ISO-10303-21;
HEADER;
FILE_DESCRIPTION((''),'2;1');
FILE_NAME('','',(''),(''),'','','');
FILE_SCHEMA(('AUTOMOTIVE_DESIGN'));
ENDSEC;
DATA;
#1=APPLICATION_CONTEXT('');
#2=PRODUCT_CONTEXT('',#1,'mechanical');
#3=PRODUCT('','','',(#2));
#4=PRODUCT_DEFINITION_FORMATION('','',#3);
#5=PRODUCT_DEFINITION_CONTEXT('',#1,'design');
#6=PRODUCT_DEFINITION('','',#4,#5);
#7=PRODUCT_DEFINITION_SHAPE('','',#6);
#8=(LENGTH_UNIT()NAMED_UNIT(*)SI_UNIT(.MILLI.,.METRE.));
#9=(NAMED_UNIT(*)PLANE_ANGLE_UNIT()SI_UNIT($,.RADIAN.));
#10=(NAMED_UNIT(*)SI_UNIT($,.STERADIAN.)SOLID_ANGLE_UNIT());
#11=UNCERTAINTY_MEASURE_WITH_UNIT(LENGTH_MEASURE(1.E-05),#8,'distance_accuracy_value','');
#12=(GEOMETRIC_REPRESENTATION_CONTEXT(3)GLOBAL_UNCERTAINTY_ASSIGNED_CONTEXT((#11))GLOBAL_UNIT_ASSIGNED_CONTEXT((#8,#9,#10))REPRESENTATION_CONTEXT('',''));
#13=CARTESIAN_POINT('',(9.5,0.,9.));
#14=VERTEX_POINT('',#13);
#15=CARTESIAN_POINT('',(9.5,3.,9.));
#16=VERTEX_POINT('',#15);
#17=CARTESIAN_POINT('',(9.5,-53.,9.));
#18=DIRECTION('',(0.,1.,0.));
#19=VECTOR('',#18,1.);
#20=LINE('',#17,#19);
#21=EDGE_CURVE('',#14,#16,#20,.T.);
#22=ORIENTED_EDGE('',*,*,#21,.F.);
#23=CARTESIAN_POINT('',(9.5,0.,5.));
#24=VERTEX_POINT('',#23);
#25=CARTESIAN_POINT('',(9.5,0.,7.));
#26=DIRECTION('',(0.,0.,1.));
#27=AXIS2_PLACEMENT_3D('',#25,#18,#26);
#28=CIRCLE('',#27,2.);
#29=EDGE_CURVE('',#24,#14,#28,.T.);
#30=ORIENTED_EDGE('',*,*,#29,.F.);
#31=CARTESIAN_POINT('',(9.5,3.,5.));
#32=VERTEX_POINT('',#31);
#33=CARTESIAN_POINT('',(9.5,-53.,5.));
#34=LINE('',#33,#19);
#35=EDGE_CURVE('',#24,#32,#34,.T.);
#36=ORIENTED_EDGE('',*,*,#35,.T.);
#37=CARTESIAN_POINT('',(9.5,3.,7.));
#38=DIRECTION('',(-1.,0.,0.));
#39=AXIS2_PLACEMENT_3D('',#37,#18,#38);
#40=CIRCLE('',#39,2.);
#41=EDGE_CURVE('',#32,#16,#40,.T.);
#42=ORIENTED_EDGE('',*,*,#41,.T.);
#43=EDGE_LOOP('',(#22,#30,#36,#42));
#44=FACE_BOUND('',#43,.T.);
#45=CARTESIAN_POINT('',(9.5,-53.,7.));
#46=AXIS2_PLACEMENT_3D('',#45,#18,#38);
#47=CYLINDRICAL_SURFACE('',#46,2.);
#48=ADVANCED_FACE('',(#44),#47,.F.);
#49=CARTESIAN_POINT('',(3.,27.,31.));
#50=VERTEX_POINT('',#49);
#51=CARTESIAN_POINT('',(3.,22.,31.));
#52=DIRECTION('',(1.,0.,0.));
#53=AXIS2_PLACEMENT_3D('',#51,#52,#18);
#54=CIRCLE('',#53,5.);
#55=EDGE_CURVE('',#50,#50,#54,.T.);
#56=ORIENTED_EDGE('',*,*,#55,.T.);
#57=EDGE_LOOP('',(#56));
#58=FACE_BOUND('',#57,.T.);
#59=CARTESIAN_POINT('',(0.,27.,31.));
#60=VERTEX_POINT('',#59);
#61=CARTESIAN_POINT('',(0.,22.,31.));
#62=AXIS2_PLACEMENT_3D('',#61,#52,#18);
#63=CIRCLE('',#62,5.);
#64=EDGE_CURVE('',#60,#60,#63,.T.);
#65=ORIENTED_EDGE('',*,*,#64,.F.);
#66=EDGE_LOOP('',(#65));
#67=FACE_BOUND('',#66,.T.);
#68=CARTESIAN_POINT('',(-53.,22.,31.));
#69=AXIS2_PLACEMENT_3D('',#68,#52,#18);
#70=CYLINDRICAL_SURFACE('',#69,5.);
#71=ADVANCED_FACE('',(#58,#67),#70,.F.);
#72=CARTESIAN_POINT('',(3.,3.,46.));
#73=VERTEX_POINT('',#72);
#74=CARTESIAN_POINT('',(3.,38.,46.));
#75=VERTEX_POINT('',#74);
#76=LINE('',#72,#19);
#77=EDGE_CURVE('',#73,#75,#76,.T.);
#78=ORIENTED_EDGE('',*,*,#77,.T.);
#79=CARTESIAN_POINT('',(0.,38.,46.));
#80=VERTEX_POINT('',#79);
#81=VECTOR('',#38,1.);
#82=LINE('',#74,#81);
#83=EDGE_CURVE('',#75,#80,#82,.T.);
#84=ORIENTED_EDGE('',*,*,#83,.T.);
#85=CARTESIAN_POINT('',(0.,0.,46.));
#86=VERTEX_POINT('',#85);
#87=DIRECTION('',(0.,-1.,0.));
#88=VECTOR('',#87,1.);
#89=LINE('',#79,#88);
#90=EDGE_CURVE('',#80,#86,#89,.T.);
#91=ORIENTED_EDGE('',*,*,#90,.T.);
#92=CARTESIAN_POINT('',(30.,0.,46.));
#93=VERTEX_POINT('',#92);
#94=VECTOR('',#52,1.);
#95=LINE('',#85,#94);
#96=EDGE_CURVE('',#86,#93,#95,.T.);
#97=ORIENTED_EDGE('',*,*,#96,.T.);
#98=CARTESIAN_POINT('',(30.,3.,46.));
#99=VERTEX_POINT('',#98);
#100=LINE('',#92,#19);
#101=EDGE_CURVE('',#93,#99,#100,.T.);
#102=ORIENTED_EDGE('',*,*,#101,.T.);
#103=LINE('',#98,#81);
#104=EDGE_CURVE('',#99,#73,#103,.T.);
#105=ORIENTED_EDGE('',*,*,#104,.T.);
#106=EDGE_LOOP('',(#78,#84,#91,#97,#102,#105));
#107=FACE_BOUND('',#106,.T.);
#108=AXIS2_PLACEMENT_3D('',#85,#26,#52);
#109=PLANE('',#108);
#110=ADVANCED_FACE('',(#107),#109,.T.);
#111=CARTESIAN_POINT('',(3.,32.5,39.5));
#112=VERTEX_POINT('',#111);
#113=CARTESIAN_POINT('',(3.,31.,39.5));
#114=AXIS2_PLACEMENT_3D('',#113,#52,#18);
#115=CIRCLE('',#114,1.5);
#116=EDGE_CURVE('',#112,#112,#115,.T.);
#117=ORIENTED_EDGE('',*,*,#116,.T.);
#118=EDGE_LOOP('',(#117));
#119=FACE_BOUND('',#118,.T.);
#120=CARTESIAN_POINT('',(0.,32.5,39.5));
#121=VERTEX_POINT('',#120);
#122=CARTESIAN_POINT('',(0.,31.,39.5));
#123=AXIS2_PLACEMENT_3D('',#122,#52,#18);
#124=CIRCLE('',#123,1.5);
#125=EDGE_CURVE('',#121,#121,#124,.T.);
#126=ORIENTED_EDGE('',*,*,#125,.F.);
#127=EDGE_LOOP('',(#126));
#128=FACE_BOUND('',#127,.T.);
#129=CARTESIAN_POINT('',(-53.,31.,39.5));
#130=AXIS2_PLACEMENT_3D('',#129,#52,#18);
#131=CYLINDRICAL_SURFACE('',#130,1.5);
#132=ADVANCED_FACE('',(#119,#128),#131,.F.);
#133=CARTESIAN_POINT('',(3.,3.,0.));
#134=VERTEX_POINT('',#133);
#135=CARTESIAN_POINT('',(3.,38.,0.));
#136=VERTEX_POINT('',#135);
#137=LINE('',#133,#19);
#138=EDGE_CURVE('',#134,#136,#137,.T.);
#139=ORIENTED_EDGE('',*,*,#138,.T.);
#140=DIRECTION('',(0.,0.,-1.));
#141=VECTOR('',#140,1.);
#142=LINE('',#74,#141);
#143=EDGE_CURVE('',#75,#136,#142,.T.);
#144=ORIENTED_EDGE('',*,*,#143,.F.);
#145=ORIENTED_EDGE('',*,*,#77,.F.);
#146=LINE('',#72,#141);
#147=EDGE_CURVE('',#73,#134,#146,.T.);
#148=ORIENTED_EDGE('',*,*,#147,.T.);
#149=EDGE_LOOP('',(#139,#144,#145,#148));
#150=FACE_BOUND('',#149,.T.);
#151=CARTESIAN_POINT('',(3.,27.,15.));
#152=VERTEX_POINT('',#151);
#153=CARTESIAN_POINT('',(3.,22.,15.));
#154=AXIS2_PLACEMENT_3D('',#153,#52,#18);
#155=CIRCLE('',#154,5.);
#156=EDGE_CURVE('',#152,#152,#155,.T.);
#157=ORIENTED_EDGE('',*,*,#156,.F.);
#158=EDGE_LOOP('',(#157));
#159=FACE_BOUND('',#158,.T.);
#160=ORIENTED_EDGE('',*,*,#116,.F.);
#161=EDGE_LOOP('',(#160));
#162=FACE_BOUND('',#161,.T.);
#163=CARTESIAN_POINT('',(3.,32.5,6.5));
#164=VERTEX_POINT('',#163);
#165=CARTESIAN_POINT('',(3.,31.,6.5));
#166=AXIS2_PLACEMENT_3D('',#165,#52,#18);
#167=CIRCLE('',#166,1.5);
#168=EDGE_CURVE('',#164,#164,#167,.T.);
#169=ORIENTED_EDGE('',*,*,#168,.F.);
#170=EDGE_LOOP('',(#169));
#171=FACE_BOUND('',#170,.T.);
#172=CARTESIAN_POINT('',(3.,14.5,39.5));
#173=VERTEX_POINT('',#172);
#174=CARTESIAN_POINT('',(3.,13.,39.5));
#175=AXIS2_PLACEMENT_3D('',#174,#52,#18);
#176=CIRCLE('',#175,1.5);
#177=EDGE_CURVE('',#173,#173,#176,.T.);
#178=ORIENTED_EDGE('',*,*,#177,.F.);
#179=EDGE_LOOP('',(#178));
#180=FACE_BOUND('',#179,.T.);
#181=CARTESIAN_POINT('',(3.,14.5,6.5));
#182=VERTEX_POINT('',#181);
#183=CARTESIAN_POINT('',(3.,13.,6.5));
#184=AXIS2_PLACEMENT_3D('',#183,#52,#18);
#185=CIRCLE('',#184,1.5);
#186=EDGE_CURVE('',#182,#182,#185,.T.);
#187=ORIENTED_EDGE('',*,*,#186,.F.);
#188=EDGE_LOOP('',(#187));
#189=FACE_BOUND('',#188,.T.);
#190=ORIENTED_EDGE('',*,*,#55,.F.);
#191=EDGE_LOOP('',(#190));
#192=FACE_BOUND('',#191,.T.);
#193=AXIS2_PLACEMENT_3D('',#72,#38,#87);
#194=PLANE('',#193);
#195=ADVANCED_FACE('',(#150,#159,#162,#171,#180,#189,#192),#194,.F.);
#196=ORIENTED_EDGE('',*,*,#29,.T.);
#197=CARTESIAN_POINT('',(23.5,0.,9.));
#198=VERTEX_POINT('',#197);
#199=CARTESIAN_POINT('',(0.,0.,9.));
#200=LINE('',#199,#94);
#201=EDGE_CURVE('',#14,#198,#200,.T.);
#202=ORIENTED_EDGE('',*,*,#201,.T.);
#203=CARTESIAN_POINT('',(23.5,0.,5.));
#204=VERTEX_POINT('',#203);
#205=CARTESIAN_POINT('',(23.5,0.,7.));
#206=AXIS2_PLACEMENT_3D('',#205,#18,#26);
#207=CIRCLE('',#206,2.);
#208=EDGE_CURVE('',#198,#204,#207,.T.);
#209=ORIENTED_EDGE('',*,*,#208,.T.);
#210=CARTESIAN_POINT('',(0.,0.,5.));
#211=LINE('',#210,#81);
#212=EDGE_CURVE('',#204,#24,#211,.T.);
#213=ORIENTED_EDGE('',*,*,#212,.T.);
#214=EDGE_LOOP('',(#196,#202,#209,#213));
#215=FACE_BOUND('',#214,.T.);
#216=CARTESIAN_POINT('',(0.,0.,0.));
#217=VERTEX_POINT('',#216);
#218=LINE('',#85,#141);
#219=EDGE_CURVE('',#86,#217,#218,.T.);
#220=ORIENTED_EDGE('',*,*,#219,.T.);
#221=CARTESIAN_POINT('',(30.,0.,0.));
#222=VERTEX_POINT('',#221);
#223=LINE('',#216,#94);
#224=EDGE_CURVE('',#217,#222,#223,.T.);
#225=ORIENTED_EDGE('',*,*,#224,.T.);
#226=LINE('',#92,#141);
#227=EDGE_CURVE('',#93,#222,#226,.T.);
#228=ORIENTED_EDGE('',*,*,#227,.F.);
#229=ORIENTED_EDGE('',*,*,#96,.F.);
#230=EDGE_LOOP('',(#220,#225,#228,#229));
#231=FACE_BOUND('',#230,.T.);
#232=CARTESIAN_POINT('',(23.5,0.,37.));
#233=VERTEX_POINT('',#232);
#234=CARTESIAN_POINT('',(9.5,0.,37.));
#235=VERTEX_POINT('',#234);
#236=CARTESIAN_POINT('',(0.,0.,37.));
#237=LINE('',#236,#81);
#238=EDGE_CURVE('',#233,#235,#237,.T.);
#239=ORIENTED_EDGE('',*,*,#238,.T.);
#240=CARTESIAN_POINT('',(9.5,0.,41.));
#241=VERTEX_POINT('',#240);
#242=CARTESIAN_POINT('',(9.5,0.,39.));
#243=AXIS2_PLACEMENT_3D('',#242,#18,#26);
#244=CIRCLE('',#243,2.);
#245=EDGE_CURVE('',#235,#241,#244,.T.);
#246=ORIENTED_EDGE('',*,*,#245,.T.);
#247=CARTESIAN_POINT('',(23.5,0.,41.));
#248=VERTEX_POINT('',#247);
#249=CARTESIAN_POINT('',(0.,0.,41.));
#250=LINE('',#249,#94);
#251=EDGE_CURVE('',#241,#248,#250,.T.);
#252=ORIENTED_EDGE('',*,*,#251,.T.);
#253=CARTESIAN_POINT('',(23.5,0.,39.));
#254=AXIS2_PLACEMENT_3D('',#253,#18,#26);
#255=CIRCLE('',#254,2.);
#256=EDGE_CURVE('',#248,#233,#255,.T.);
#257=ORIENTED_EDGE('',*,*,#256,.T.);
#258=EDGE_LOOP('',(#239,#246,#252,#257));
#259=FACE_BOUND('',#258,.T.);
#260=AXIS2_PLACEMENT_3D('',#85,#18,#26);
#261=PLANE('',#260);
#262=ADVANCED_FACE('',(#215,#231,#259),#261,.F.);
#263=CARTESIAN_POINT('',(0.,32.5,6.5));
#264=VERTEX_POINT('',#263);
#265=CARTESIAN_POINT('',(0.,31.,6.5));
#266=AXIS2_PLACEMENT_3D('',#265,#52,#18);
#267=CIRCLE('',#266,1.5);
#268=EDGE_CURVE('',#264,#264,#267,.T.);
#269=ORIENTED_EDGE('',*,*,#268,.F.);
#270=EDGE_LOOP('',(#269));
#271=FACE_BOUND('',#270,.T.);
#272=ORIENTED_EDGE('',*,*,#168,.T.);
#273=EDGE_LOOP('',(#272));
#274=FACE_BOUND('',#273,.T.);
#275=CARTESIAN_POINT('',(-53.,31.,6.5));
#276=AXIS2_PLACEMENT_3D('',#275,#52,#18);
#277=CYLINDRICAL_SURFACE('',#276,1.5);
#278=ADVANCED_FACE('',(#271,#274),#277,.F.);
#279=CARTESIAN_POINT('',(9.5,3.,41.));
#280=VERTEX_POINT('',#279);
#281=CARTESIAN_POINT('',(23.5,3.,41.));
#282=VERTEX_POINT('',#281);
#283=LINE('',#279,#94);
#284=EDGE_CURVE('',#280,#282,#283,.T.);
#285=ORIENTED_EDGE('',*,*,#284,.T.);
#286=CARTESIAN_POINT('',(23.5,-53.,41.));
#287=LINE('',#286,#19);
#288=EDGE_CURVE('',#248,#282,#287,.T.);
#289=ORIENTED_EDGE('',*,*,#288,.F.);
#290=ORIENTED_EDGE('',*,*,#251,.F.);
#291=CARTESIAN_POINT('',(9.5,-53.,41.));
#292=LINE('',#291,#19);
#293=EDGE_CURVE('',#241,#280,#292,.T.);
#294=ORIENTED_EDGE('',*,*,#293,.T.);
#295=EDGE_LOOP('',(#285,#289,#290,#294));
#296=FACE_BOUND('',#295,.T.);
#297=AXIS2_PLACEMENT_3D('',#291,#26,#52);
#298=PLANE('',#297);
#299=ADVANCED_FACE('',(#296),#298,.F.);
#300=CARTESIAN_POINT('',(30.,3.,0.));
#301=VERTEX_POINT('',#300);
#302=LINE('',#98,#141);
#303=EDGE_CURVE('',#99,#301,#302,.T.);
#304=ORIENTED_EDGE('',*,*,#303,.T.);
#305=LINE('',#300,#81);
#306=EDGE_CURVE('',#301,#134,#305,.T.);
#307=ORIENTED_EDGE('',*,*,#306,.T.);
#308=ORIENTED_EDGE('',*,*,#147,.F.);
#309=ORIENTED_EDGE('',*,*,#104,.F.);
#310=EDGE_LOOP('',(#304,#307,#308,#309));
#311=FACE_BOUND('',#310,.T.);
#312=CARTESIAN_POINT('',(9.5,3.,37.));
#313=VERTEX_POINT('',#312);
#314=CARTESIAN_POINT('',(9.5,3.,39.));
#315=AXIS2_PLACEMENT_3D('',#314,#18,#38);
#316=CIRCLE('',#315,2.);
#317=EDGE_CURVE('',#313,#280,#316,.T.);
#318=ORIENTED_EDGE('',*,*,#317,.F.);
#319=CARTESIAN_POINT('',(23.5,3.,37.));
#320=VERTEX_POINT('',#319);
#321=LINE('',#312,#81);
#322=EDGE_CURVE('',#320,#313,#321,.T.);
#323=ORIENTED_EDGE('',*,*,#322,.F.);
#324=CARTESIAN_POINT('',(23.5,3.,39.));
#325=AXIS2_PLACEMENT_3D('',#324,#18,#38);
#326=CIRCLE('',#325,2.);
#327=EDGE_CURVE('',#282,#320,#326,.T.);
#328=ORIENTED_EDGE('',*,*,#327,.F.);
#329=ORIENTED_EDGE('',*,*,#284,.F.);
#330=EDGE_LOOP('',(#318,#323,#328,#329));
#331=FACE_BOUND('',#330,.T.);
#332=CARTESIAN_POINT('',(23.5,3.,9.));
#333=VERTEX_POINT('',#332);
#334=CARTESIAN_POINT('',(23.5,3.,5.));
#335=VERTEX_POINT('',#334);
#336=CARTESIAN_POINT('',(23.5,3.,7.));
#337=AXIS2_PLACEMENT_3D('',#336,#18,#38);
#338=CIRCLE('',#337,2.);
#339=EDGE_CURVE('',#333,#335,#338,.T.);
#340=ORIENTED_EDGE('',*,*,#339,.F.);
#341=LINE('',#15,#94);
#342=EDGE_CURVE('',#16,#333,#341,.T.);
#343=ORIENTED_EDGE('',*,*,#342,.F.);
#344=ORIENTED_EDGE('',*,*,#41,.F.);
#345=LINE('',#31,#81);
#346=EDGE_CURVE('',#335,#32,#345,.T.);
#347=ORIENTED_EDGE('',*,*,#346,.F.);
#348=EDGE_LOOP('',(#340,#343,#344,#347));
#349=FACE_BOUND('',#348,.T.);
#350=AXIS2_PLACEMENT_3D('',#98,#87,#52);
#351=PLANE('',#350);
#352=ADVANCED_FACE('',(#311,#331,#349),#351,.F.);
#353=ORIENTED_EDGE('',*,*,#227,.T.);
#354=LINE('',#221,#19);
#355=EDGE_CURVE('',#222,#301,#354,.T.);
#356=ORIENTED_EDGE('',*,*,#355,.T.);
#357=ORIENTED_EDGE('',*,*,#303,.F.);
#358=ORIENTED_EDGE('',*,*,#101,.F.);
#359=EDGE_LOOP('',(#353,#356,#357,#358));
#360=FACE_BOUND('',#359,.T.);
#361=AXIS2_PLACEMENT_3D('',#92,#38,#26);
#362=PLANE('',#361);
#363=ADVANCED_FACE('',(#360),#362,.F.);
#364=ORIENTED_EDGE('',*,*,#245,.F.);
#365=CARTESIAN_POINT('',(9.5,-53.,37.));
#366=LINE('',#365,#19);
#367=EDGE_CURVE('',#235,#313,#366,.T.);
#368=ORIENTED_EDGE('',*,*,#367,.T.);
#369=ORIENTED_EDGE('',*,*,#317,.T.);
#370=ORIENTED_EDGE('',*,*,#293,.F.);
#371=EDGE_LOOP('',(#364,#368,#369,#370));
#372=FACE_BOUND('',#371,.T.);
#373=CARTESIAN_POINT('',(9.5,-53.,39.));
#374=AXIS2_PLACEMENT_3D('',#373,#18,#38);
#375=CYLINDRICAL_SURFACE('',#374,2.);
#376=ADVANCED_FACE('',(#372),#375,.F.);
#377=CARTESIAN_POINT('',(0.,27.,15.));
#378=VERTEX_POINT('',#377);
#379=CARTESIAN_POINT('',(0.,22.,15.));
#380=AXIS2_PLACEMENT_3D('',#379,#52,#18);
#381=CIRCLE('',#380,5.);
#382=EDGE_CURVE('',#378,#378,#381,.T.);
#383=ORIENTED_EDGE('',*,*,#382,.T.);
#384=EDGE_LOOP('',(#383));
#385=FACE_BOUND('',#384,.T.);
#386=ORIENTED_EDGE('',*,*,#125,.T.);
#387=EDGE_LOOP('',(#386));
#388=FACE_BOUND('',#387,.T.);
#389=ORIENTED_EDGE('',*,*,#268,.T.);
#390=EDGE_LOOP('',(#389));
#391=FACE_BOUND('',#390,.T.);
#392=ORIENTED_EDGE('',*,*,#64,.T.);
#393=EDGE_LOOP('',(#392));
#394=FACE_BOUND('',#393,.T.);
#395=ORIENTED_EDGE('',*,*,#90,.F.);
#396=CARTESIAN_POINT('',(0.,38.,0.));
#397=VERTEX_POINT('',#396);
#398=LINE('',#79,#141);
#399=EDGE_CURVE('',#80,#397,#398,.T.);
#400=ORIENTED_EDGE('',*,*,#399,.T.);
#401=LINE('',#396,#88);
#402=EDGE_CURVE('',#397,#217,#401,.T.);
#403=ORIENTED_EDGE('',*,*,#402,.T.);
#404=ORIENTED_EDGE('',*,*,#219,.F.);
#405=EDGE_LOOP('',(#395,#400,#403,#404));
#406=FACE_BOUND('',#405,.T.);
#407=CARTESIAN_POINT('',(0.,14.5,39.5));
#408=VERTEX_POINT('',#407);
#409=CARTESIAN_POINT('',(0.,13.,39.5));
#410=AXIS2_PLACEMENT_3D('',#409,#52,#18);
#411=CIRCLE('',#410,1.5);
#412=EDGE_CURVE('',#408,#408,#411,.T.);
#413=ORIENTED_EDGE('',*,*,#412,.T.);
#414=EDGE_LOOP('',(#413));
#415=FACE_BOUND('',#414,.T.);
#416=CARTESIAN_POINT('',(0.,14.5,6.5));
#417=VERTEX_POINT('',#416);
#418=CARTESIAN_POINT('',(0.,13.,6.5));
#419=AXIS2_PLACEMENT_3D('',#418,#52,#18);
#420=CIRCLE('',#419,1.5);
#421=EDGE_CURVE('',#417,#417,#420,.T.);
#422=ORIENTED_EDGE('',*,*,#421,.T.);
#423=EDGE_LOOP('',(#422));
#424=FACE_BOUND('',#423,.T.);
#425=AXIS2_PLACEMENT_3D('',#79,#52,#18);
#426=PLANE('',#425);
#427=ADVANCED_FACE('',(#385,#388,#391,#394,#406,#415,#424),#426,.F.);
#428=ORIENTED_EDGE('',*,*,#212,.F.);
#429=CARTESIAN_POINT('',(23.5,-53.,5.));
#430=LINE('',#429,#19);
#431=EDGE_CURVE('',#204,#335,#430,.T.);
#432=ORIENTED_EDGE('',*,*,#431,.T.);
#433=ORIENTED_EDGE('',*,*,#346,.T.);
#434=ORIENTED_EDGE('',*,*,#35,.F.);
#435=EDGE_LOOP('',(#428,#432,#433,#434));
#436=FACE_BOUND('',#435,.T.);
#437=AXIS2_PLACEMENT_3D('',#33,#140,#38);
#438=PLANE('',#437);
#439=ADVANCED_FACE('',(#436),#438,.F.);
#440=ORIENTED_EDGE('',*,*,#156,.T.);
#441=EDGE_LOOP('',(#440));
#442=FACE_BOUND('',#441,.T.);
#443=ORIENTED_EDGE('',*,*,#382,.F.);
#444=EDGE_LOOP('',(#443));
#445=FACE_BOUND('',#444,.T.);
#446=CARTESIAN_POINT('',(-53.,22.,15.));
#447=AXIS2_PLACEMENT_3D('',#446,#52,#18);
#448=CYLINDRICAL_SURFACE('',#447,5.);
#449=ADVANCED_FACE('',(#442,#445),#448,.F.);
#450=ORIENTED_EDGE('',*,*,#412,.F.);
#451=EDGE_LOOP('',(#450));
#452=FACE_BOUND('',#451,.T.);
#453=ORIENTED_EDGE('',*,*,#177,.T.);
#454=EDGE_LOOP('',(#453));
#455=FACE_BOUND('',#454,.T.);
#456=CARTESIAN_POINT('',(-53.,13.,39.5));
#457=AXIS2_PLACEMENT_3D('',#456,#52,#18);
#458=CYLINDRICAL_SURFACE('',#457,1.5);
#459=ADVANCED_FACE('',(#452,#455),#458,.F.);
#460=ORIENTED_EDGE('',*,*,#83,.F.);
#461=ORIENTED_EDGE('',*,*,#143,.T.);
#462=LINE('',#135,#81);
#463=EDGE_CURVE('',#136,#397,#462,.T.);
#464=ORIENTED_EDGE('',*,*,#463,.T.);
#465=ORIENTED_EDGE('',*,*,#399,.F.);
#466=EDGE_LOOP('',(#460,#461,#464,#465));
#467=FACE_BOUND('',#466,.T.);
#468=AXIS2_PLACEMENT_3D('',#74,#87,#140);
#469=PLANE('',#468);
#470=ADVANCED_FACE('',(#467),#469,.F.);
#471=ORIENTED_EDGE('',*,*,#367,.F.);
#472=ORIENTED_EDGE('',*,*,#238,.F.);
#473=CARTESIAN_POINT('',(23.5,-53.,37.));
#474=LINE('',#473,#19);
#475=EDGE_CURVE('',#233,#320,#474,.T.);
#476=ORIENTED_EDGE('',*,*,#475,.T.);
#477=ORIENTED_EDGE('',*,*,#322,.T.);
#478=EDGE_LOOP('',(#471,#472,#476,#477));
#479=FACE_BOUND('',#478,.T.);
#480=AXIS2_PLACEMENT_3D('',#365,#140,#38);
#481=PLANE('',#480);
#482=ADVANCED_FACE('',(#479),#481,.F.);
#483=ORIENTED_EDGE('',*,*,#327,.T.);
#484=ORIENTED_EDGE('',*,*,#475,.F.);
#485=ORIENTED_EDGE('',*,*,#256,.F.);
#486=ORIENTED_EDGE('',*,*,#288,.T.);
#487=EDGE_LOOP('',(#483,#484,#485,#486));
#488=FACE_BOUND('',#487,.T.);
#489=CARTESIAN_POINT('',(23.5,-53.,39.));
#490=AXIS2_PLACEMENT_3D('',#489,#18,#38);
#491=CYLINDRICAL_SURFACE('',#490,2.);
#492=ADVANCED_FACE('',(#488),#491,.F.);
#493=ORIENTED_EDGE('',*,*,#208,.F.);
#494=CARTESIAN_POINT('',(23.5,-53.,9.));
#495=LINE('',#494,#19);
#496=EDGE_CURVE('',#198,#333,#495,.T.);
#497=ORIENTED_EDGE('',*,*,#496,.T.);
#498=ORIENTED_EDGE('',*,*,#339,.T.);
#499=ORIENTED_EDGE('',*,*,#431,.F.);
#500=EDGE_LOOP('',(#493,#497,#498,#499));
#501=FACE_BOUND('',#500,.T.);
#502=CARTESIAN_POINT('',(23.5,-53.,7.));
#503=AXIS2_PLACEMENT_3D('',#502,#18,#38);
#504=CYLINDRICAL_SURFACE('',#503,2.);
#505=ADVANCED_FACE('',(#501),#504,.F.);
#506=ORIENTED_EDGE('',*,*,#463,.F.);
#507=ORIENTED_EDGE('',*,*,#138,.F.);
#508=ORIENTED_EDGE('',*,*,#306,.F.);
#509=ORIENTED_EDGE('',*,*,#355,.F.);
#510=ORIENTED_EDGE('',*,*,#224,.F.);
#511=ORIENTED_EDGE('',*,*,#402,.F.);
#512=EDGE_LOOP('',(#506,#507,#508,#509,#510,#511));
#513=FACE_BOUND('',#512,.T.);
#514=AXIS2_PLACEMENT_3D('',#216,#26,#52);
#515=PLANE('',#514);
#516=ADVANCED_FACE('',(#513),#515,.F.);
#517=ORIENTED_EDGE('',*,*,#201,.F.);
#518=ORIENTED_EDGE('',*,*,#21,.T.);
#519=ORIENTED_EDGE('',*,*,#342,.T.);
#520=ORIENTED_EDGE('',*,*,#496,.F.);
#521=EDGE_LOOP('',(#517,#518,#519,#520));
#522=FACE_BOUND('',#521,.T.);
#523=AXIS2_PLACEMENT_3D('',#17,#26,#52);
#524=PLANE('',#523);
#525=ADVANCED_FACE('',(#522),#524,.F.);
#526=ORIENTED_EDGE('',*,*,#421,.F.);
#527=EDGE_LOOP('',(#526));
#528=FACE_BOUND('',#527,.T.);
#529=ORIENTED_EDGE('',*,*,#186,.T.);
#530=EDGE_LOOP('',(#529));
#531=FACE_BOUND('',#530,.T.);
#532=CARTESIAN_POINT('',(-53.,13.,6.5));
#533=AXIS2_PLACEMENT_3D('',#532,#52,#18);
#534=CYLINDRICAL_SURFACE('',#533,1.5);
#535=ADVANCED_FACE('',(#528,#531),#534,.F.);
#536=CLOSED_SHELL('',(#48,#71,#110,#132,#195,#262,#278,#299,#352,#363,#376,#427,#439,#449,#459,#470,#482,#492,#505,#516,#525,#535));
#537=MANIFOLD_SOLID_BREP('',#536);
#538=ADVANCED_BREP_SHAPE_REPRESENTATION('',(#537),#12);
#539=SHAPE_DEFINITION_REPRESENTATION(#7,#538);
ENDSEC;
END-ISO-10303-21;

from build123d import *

# Parameters (mm, degrees)
EXTRUDE_1_DEPTH     = 46
SKETCH_2_R          = 1.5
SKETCH_2_R_2        = 5
CUT_EXTRUDE_1_DEPTH = 56
CUT_EXTRUDE_2_DEPTH = 56


with BuildPart() as part:
    # 草图1 → 凸台-拉伸1 (new body)
    with BuildSketch(Plane.XY):
        Polygon((0, 0), (30, 0), (30, 3), (3, 3), (3, 38), (0, 38), align=None)
    extrude(amount=EXTRUDE_1_DEPTH)

    # 草图2 → 切除-拉伸1 (cut)
    with BuildSketch(Plane(origin=(3, 0, 0), x_dir=(0, 0, -1), z_dir=(1, 0, 0))):
        with Locations(Location((-39.5, 31, 0), (0, 0, 90))):
            Circle(SKETCH_2_R)
        with Locations(Location((-39.5, 13, 0), (0, 0, 90))):
            Circle(SKETCH_2_R)
        with Locations(Location((-6.5, 31, 0), (0, 0, 90))):
            Circle(SKETCH_2_R)
        with Locations(Location((-6.5, 13, 0), (0, 0, 90))):
            Circle(SKETCH_2_R)
        with Locations(Location((-31, 22, 0), (0, 0, 90))):
            Circle(SKETCH_2_R_2)
        with Locations(Location((-15, 22, 0), (0, 0, 90))):
            Circle(SKETCH_2_R_2)
    extrude(amount=-CUT_EXTRUDE_1_DEPTH, mode=Mode.SUBTRACT)

    # 草图3 → 切除-拉伸2 (cut)
    with BuildSketch(Plane(origin=(0, 3, 0), x_dir=(1, 0, 0), z_dir=(0, 1, 0))):
        with BuildLine():
            Line((9.5, -5), (23.5, -5))
            ThreePointArc((23.5, -5), (25.5, -7), (23.5, -9))
            Line((23.5, -9), (9.5, -9))
            ThreePointArc((9.5, -9), (7.5, -7), (9.5, -5))
        make_face()
        with BuildLine():
            Line((9.5, -37), (23.5, -37))
            ThreePointArc((23.5, -37), (25.5, -39), (23.5, -41))
            Line((23.5, -41), (9.5, -41))
            ThreePointArc((9.5, -41), (7.5, -39), (9.5, -37))
        make_face()
    extrude(amount=-CUT_EXTRUDE_2_DEPTH, mode=Mode.SUBTRACT)


solid = part.part
